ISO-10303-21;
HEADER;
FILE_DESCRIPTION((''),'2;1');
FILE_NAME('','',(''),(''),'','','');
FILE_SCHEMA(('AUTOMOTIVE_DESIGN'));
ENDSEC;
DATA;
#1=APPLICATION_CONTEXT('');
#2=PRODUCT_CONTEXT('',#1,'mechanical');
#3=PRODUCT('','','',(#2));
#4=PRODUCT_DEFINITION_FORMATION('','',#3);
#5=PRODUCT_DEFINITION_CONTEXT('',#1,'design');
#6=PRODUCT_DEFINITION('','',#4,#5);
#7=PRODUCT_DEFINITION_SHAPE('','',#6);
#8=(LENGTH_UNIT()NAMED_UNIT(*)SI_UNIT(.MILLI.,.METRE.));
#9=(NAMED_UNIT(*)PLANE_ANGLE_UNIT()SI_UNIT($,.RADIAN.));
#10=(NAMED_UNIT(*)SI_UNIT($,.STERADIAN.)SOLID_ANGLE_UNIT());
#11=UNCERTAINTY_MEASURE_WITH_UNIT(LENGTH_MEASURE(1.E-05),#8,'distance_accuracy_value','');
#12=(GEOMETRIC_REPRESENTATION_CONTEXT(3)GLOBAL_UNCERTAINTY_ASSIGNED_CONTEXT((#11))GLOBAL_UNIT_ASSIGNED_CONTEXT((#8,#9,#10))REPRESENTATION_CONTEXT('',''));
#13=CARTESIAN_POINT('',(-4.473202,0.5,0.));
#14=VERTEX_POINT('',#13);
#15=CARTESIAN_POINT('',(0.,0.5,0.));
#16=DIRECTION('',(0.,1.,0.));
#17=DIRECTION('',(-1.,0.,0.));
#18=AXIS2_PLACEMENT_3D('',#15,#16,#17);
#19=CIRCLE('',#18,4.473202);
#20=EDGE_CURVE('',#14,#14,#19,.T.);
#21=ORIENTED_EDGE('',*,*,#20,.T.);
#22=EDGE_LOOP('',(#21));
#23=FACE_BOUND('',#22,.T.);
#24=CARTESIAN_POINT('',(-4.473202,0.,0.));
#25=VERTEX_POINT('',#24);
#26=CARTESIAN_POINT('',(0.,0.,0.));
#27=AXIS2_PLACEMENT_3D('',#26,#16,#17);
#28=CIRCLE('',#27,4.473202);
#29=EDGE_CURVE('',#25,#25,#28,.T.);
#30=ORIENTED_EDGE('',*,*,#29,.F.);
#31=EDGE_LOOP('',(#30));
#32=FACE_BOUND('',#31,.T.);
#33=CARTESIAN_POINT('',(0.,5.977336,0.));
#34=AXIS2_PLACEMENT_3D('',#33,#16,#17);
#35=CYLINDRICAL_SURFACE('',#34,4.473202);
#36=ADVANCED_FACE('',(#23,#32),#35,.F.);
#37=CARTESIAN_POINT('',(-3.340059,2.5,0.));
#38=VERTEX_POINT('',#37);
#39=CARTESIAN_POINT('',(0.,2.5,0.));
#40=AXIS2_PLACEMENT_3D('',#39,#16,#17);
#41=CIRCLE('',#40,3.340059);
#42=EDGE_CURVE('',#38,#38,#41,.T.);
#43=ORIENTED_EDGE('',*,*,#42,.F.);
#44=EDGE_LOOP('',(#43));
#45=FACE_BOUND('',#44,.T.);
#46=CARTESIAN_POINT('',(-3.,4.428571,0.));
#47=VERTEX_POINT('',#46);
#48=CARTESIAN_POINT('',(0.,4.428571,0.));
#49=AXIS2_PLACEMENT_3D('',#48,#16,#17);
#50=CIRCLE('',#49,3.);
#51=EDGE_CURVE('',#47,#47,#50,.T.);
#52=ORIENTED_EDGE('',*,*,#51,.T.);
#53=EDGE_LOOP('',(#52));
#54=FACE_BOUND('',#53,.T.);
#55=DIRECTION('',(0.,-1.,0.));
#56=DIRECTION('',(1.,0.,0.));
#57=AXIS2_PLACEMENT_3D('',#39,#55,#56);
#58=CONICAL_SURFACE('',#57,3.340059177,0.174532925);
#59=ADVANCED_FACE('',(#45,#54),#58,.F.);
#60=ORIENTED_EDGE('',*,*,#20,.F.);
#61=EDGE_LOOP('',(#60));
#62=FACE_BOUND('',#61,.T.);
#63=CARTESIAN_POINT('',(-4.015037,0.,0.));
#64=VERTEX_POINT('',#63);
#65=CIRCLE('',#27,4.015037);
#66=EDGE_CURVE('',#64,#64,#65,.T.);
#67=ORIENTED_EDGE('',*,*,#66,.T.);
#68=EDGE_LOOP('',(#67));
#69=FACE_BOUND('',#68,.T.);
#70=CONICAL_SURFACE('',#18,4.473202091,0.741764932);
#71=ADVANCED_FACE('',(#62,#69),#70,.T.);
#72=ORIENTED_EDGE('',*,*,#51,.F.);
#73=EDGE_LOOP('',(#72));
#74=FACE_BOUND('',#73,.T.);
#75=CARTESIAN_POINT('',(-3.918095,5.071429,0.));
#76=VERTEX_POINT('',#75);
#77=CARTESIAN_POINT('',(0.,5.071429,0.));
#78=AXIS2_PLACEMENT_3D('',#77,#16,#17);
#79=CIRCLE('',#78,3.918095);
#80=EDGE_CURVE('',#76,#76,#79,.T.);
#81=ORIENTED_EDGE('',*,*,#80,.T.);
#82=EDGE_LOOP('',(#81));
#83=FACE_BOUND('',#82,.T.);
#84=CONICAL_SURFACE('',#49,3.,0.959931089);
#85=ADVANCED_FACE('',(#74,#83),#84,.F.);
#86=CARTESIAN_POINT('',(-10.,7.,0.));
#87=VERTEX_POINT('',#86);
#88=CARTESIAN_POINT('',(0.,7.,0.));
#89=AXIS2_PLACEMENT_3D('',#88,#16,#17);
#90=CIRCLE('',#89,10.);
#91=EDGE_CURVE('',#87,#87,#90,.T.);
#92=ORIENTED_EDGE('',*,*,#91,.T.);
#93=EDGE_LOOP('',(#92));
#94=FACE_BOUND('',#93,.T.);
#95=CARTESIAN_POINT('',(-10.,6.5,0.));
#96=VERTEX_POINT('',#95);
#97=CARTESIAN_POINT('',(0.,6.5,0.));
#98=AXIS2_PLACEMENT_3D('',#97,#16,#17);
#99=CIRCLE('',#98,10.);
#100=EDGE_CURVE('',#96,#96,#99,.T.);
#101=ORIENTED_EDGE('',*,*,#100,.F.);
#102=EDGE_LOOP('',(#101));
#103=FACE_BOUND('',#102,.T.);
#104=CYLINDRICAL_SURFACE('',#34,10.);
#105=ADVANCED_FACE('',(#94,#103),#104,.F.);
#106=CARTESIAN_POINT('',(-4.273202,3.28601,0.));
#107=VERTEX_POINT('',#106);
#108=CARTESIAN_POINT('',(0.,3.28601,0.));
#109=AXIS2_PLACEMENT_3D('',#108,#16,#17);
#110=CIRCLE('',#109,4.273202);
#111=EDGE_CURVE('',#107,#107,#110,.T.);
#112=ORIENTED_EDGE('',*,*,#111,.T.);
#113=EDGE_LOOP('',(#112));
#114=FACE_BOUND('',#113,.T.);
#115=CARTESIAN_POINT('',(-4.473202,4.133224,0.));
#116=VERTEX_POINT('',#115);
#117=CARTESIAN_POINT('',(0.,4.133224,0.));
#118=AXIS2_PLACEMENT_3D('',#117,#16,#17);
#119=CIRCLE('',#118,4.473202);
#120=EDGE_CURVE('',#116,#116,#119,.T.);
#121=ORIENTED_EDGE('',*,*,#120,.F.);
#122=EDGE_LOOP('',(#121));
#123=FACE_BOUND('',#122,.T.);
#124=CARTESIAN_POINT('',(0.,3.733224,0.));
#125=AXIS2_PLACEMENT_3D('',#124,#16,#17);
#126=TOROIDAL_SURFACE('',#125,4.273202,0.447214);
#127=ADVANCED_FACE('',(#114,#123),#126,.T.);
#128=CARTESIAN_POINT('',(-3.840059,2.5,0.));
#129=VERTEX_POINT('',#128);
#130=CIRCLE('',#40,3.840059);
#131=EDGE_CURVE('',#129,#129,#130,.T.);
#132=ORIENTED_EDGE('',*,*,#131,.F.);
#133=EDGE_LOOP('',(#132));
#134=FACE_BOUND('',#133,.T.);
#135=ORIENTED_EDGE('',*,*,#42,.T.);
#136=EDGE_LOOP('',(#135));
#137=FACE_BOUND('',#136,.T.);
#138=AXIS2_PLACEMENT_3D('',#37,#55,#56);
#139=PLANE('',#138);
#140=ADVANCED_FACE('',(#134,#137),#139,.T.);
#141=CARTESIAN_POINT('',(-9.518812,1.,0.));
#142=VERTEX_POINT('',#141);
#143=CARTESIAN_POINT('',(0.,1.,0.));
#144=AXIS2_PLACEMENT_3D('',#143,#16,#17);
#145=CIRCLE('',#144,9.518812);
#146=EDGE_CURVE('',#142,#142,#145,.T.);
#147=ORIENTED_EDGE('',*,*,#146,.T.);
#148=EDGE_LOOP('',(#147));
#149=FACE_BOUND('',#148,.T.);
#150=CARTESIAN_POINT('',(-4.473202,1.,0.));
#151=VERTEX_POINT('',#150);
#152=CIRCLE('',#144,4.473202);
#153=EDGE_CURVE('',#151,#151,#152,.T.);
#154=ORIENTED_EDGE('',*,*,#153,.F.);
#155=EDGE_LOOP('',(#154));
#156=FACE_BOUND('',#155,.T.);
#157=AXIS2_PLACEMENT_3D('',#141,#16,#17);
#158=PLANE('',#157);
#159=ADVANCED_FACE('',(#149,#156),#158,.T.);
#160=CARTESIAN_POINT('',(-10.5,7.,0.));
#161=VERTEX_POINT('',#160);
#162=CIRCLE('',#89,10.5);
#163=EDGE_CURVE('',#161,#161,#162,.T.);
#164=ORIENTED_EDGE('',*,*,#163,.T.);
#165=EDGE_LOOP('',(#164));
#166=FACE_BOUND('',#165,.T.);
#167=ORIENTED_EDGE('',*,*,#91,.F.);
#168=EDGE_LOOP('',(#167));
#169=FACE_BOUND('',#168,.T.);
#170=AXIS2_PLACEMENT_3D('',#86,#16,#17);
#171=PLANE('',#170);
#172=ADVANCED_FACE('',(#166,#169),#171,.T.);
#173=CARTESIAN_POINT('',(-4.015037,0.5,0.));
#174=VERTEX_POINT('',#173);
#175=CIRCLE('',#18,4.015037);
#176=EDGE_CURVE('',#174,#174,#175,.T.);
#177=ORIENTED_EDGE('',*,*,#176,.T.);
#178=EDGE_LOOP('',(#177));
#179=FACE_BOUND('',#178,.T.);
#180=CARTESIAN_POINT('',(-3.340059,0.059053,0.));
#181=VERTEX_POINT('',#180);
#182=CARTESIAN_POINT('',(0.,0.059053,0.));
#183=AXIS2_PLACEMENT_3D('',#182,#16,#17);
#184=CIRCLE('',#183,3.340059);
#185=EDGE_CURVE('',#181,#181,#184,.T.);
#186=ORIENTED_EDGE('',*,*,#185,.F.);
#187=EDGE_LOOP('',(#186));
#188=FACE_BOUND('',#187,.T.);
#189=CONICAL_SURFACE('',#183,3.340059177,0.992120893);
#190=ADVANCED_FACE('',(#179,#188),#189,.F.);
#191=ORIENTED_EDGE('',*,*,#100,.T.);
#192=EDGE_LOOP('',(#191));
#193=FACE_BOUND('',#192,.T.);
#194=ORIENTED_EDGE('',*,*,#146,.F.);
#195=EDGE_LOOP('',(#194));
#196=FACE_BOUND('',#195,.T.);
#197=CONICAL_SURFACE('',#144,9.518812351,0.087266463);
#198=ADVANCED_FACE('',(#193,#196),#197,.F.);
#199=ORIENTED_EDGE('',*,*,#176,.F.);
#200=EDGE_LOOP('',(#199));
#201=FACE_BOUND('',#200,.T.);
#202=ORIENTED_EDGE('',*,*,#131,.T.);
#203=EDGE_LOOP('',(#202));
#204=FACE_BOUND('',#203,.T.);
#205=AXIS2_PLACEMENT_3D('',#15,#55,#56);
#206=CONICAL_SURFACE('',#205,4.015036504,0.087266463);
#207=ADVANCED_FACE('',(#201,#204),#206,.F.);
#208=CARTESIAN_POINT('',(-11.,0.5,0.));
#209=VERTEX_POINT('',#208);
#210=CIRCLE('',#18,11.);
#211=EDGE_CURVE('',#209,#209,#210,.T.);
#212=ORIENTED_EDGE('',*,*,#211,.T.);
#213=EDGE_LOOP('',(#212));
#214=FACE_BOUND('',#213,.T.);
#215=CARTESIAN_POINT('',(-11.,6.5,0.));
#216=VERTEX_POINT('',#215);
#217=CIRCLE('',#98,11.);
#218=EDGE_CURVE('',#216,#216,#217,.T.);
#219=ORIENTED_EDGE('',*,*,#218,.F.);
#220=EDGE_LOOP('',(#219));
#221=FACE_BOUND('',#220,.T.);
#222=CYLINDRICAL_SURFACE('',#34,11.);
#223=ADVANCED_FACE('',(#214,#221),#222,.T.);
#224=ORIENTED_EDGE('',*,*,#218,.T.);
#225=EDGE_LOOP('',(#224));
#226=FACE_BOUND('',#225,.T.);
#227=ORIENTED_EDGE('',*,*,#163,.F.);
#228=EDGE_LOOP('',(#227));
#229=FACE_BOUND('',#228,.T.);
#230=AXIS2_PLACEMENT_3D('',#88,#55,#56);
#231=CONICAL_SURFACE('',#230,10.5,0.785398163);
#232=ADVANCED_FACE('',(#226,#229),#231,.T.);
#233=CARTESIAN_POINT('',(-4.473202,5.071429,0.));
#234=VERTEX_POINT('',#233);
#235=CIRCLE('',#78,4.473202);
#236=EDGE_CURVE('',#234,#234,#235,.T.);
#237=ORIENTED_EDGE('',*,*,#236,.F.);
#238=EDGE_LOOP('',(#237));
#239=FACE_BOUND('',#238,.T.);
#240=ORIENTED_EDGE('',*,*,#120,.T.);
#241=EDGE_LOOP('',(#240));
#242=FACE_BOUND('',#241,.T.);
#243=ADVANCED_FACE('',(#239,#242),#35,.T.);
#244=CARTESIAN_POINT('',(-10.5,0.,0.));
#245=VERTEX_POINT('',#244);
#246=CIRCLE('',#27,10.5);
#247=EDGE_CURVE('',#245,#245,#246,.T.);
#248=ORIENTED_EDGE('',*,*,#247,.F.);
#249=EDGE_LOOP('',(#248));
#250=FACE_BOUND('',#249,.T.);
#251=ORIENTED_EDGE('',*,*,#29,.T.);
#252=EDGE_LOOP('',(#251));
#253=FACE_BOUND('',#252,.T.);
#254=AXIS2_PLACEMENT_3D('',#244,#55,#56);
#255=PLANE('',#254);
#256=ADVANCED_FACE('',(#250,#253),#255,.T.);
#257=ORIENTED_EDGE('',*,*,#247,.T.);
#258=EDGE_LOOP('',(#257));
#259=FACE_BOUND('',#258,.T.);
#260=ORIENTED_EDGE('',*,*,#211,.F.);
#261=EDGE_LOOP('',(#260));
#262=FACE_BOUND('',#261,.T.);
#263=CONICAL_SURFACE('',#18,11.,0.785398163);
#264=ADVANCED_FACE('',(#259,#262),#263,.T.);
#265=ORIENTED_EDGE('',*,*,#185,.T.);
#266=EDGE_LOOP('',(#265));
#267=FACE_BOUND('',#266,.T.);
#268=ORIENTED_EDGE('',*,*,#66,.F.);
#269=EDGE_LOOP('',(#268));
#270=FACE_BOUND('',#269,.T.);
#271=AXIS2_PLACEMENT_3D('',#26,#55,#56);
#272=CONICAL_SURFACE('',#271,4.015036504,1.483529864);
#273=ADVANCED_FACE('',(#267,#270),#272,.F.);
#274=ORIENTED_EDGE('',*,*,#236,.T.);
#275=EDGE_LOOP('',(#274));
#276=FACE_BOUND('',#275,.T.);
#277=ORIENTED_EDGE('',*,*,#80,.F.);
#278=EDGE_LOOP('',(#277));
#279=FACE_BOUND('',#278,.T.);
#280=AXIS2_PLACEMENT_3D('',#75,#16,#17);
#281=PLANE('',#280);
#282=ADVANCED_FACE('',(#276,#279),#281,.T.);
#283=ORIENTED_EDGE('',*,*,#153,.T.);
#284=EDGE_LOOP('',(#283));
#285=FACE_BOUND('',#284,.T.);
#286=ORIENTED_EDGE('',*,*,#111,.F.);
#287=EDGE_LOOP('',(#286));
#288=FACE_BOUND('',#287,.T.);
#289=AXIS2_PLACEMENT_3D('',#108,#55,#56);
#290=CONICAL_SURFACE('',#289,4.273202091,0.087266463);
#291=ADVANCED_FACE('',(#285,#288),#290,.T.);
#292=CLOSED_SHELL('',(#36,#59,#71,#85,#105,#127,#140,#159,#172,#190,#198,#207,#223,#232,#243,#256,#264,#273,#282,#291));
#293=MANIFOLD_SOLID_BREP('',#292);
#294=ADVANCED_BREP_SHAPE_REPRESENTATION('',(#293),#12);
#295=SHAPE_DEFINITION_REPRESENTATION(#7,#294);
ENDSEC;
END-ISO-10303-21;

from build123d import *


with BuildPart() as part:
    # 草图1 → 旋转1 (revolve)
    with BuildSketch(Plane.XY):
        with BuildLine():
            Line((-10.5, 0), (-4.473202091, 0))
            Line((-4.473202091, 0), (-4.473202091, 0.5))
            Line((-4.473202091, 0.5), (-4.015036504, 0))
            Line((-4.015036504, 0), (-3.340059177, 0.059052864))
            Line((-3.340059177, 0.059052864), (-4.015036504, 0.5))
            Line((-4.015036504, 0.5), (-3.840059177, 2.5))
            Line((-3.840059177, 2.5), (-3.340059177, 2.5))
            Line((-3.340059177, 2.5), (-3, 4.428571429))
            Line((-3, 4.428571429), (-3.918095147, 5.071428571))
            Line((-3.918095147, 5.071428571), (-4.473202091, 5.071428571))
            Line((-4.473202091, 5.071428571), (-4.473202091, 4.133224056))
            ThreePointArc((-4.473202091, 4.133224056), (-4.708452271, 3.630475426), (-4.273202091, 3.286010461))
            Line((-4.273202091, 3.286010461), (-4.473202091, 1))
            Line((-4.473202091, 1), (-9.518812351, 1))
            Line((-9.518812351, 1), (-10, 6.5))
            Line((-10, 6.5), (-10, 7))
            Line((-10, 7), (-10.5, 7))
            Line((-10.5, 7), (-11, 6.5))
            Line((-11, 6.5), (-11, 0.5))
            Line((-11, 0.5), (-10.5, 0))
        make_face()
    revolve(axis=Axis((0, 5.977335763, 0), (0, -1, 0)))


solid = part.part
